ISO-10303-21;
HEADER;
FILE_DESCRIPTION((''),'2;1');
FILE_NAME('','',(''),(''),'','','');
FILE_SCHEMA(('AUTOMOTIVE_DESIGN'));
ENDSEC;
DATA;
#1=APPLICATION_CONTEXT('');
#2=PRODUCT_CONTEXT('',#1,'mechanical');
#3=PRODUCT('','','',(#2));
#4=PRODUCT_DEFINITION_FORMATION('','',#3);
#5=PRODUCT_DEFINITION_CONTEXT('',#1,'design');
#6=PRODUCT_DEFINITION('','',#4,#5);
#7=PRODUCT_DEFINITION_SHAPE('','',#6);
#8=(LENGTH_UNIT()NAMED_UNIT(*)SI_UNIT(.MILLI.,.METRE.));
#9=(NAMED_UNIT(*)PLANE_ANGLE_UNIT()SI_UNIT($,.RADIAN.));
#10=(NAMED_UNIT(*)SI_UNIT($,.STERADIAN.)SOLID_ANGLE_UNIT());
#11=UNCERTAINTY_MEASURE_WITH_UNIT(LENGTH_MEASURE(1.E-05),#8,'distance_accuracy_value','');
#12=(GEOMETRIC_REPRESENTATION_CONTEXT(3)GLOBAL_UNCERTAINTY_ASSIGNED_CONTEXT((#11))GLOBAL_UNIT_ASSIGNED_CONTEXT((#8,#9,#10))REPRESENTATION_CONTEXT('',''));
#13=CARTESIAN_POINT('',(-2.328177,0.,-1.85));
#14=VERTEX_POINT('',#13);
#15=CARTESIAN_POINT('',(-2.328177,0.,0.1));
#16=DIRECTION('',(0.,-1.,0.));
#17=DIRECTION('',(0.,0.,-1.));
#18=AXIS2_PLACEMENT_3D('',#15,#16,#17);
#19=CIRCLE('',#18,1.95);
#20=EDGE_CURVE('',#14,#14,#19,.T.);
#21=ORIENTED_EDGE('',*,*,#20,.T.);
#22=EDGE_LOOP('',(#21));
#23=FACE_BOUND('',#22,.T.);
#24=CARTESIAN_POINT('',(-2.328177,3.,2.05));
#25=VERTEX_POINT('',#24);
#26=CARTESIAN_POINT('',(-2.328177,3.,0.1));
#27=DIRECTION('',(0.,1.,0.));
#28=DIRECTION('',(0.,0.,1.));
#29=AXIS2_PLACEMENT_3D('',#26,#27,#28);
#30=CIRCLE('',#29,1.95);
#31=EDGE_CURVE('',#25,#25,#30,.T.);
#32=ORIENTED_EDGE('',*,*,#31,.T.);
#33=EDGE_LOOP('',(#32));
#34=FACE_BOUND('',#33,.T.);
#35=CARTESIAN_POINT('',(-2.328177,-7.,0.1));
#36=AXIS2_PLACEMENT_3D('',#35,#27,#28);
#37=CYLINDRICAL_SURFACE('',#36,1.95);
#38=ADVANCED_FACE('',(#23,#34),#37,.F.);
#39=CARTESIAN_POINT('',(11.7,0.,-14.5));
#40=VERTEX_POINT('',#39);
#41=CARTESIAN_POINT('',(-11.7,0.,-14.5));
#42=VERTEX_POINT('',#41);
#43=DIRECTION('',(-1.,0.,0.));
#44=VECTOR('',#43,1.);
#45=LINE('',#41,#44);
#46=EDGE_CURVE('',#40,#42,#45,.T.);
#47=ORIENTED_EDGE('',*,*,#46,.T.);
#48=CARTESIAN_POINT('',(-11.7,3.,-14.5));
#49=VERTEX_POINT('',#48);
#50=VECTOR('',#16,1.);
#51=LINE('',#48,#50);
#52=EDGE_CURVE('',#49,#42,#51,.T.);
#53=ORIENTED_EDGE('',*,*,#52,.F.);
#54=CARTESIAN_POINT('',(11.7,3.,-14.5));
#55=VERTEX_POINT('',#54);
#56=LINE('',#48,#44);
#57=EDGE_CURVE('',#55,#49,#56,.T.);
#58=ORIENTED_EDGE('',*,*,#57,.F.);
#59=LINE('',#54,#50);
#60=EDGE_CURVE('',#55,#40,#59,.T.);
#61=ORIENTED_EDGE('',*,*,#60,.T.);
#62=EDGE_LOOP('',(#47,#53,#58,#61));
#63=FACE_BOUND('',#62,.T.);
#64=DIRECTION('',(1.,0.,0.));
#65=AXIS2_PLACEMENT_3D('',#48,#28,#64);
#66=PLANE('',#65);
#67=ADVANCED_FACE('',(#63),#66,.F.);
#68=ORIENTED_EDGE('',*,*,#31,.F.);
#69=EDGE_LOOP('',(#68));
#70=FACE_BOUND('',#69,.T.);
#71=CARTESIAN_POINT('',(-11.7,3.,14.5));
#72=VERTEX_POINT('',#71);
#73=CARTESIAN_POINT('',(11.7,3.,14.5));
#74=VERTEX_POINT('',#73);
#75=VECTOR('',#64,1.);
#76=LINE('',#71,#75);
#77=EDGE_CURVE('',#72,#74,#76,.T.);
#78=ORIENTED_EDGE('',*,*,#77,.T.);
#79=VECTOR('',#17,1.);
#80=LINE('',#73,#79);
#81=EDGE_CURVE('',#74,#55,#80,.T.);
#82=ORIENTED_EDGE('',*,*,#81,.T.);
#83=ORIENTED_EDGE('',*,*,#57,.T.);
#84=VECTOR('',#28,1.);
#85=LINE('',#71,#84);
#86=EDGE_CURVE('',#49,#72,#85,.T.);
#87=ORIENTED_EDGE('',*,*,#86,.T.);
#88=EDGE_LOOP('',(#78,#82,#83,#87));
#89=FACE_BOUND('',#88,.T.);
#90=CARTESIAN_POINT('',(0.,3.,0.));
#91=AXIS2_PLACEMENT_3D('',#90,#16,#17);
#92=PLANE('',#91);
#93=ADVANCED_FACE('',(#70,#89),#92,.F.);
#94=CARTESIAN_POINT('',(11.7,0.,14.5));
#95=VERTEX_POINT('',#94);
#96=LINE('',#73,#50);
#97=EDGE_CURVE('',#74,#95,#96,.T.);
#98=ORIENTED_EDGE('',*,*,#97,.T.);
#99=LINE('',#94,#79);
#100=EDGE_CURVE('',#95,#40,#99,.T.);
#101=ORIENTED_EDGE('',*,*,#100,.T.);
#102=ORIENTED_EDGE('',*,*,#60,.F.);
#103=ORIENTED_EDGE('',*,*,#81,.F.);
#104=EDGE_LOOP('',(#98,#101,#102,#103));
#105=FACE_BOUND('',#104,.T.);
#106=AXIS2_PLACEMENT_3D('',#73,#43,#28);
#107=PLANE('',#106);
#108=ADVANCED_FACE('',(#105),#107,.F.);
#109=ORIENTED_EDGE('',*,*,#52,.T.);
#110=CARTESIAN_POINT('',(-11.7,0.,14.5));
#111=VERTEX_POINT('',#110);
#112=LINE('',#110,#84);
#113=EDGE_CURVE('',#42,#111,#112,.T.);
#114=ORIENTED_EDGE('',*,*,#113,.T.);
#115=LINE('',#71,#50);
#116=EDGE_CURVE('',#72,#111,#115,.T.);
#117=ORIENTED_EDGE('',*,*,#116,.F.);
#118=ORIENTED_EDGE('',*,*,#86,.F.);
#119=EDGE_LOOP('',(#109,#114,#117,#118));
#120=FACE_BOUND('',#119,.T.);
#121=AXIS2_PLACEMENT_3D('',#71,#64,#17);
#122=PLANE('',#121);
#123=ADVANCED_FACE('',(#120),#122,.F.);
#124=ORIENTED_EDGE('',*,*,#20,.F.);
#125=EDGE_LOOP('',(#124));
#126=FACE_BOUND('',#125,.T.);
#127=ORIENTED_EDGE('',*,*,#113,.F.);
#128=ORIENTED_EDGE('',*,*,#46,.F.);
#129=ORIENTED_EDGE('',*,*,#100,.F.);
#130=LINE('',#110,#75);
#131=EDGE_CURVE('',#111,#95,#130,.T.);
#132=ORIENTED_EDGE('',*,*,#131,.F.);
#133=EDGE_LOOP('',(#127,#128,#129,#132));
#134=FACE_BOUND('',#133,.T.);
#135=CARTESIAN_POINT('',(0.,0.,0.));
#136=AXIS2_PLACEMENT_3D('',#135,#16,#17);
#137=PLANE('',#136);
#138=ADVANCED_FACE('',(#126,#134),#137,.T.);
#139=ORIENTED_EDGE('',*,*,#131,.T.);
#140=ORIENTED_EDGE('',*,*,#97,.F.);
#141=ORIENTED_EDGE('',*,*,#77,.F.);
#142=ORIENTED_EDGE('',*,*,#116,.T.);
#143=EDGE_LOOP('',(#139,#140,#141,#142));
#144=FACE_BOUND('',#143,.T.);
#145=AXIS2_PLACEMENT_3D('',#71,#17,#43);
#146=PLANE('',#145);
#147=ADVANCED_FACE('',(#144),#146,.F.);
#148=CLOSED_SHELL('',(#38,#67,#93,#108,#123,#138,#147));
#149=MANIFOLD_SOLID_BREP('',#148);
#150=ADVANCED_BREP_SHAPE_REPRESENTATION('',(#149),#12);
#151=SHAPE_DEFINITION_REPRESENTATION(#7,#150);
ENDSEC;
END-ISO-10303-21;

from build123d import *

# Parameters (mm, degrees)
BOSS_EXTRUDE1_DEPTH   = 3
BOSS_EXTRUDE1_2_DEPTH = 3
SKETCH1_W             = 23.4
SKETCH1_H             = 29
SKETCH1_R             = 1
BOSS_EXTRUDE1_3_DEPTH = 3
SKETCH5_R             = 1.44
CUT_EXTRUDE3_DEPTH    = 10
CUT_EXTRUDE4_DEPTH    = 10
SKETCH8_R             = 1
CUT_EXTRUDE5_DEPTH    = 10
SKETCH9_R             = 3.026992654
BOSS_EXTRUDE3_DEPTH   = 3
SKETCH10_R            = 1.95
CUT_EXTRUDE6_DEPTH    = 10
SKETCH11_W            = 23.4
SKETCH11_H            = 29
SKETCH11_R            = 1.95
BOSS_EXTRUDE4_DEPTH   = 3


with BuildPart() as part:
    # Sketch1 → Boss-Extrude1 (new body)
    with BuildSketch(Plane(origin=(0, 0, 0), x_dir=(1, 0, 0), z_dir=(0, 1, 0))):
        with BuildLine():
            add(Edge.make_bspline(
                [(19.180993887, -14.242526212), (19.80083761, -12.341053413), (17.899318471, -11.721194585), (17.279474749, -13.622667384), (16.659631026, -15.524140184), (18.561150164, -16.143999012), (19.180993887, -14.242526212)],
                knots=[0, 0, 0, 0, 0.5, 0.5, 0.5, 1, 1, 1, 1], degree=3, weights=[1, 0.333333333, 0.333333333, 1, 0.333333333, 0.333333333, 1]))
        make_face()
    extrude(amount=BOSS_EXTRUDE1_DEPTH)


with BuildPart() as body_2:
    # Sketch1 → Boss-Extrude1 2 (new body)
    with BuildSketch(Plane(origin=(0, 0, 0), x_dir=(1, 0, 0), z_dir=(0, 1, 0))):
        with BuildLine():
            add(Edge.make_bspline(
                [(22.488505608, -4.096188772), (23.108349331, -2.194715972), (21.206830193, -1.574857144), (20.58698647, -3.476329943), (19.967142747, -5.377802743), (21.868661885, -5.997661571), (22.488505608, -4.096188772)],
                knots=[0, 0, 0, 0, 0.5, 0.5, 0.5, 1, 1, 1, 1], degree=3, weights=[1, 0.333333333, 0.333333333, 1, 0.333333333, 0.333333333, 1]))
        make_face()
    extrude(amount=BOSS_EXTRUDE1_2_DEPTH)


with BuildPart() as body_3:
    # Sketch1 → Boss-Extrude1 3 (new body)
    with BuildSketch(Plane(origin=(0, 0, 0), x_dir=(1, 0, 0), z_dir=(0, 1, 0))):
        Rectangle(SKETCH1_W, SKETCH1_H)
        with Locations(Location((9, 8.9, 0), (0, 0, 270))):
            Circle(SKETCH1_R, mode=Mode.SUBTRACT)
        with Locations(Location((9, -8.5, 0), (0, 0, 90))):
            Circle(SKETCH1_R, mode=Mode.SUBTRACT)
        with Locations(Location((-9, -8.5, 0), (0, 0, 90))):
            Circle(SKETCH1_R, mode=Mode.SUBTRACT)
        with Locations(Location((1.7, -8.5, 0), (0, 0, 90))):
            Circle(SKETCH1_R, mode=Mode.SUBTRACT)
    extrude(amount=BOSS_EXTRUDE1_3_DEPTH)

    # Sketch5 → Cut-Extrude3 (cut)
    with BuildSketch(Plane.XZ):
        with Locations(Location((-2.145634177, 3.61037734, 0), (0, 0, 270))):
            Circle(SKETCH5_R)
    extrude(amount=-CUT_EXTRUDE3_DEPTH, mode=Mode.SUBTRACT)

    # Sketch8 → Cut-Extrude5 (cut)
    with BuildSketch(Plane(origin=(0, 3, 0), x_dir=(1, 0, 0), z_dir=(0, 1, 0))):
        with Locations(Location((1.7, 8.9, 0), (0, 0, 270))):
            Circle(SKETCH8_R)
        with Locations(Location((-9, 8.9, 0), (0, 0, 270))):
            Circle(SKETCH8_R)
    extrude(amount=-CUT_EXTRUDE5_DEPTH, mode=Mode.SUBTRACT)

    # Sketch9 → Boss-Extrude3 (add)
    with BuildSketch(Plane(origin=(0, 3, 0), x_dir=(1, 0, 0), z_dir=(0, 1, 0))):
        with Locations((-2.145634177, -3.61037734)):
            Circle(SKETCH9_R)
    extrude(amount=-BOSS_EXTRUDE3_DEPTH)

    # Sketch10 → Cut-Extrude6 (cut)
    with BuildSketch(Plane(origin=(0, 3, 0), x_dir=(1, 0, 0), z_dir=(0, 1, 0))):
        with Locations(Location((-2.328177417, -0.1, 0), (0, 0, 270))):
            Circle(SKETCH10_R)
    extrude(amount=-CUT_EXTRUDE6_DEPTH, mode=Mode.SUBTRACT)

    # Sketch11 → Boss-Extrude4 (add)
    with BuildSketch(Plane(origin=(0, 3, 0), x_dir=(1, 0, 0), z_dir=(0, 1, 0))):
        Rectangle(SKETCH11_W, SKETCH11_H)
        with Locations(Location((-2.328177417, -0.1, 0), (0, 0, 270))):
            Circle(SKETCH11_R, mode=Mode.SUBTRACT)
    extrude(amount=-BOSS_EXTRUDE4_DEPTH)


with BuildPart() as cut_extrude4_tool:
    # Sketch7 → Cut-Extrude4 (new body)
    with BuildSketch(Plane(origin=(0, 3, 0), x_dir=(1, 0, 0), z_dir=(0, 1, 0))):
        with BuildLine():
            add(Edge.make_bspline(
                [(19.180993887, -14.242526212), (19.80083761, -12.341053413), (17.899318471, -11.721194585), (17.279474749, -13.622667384), (16.659631026, -15.524140184), (18.561150164, -16.143999012), (19.180993887, -14.242526212)],
                knots=[0, 0, 0, 0, 0.5, 0.5, 0.5, 1, 1, 1, 1], degree=3, weights=[1, 0.333333333, 0.333333333, 1, 0.333333333, 0.333333333, 1]))
        make_face()
        with BuildLine():
            add(Edge.make_bspline(
                [(22.488505608, -4.096188772), (23.108349331, -2.194715972), (21.206830193, -1.574857144), (20.58698647, -3.476329943), (19.967142747, -5.377802743), (21.868661885, -5.997661571), (22.488505608, -4.096188772)],
                knots=[0, 0, 0, 0, 0.5, 0.5, 0.5, 1, 1, 1, 1], degree=3, weights=[1, 0.333333333, 0.333333333, 1, 0.333333333, 0.333333333, 1]))
        make_face()
    extrude(amount=-CUT_EXTRUDE4_DEPTH)


with BuildPart() as part_1:
    add(part.part)

    # Cut-Extrude4: cut by cut_extrude4_tool
    add(cut_extrude4_tool.part, mode=Mode.SUBTRACT)


with BuildPart() as body_2_1:
    add(body_2.part)

    # Cut-Extrude4: cut by cut_extrude4_tool
    add(cut_extrude4_tool.part, mode=Mode.SUBTRACT)


solid = body_3.part
